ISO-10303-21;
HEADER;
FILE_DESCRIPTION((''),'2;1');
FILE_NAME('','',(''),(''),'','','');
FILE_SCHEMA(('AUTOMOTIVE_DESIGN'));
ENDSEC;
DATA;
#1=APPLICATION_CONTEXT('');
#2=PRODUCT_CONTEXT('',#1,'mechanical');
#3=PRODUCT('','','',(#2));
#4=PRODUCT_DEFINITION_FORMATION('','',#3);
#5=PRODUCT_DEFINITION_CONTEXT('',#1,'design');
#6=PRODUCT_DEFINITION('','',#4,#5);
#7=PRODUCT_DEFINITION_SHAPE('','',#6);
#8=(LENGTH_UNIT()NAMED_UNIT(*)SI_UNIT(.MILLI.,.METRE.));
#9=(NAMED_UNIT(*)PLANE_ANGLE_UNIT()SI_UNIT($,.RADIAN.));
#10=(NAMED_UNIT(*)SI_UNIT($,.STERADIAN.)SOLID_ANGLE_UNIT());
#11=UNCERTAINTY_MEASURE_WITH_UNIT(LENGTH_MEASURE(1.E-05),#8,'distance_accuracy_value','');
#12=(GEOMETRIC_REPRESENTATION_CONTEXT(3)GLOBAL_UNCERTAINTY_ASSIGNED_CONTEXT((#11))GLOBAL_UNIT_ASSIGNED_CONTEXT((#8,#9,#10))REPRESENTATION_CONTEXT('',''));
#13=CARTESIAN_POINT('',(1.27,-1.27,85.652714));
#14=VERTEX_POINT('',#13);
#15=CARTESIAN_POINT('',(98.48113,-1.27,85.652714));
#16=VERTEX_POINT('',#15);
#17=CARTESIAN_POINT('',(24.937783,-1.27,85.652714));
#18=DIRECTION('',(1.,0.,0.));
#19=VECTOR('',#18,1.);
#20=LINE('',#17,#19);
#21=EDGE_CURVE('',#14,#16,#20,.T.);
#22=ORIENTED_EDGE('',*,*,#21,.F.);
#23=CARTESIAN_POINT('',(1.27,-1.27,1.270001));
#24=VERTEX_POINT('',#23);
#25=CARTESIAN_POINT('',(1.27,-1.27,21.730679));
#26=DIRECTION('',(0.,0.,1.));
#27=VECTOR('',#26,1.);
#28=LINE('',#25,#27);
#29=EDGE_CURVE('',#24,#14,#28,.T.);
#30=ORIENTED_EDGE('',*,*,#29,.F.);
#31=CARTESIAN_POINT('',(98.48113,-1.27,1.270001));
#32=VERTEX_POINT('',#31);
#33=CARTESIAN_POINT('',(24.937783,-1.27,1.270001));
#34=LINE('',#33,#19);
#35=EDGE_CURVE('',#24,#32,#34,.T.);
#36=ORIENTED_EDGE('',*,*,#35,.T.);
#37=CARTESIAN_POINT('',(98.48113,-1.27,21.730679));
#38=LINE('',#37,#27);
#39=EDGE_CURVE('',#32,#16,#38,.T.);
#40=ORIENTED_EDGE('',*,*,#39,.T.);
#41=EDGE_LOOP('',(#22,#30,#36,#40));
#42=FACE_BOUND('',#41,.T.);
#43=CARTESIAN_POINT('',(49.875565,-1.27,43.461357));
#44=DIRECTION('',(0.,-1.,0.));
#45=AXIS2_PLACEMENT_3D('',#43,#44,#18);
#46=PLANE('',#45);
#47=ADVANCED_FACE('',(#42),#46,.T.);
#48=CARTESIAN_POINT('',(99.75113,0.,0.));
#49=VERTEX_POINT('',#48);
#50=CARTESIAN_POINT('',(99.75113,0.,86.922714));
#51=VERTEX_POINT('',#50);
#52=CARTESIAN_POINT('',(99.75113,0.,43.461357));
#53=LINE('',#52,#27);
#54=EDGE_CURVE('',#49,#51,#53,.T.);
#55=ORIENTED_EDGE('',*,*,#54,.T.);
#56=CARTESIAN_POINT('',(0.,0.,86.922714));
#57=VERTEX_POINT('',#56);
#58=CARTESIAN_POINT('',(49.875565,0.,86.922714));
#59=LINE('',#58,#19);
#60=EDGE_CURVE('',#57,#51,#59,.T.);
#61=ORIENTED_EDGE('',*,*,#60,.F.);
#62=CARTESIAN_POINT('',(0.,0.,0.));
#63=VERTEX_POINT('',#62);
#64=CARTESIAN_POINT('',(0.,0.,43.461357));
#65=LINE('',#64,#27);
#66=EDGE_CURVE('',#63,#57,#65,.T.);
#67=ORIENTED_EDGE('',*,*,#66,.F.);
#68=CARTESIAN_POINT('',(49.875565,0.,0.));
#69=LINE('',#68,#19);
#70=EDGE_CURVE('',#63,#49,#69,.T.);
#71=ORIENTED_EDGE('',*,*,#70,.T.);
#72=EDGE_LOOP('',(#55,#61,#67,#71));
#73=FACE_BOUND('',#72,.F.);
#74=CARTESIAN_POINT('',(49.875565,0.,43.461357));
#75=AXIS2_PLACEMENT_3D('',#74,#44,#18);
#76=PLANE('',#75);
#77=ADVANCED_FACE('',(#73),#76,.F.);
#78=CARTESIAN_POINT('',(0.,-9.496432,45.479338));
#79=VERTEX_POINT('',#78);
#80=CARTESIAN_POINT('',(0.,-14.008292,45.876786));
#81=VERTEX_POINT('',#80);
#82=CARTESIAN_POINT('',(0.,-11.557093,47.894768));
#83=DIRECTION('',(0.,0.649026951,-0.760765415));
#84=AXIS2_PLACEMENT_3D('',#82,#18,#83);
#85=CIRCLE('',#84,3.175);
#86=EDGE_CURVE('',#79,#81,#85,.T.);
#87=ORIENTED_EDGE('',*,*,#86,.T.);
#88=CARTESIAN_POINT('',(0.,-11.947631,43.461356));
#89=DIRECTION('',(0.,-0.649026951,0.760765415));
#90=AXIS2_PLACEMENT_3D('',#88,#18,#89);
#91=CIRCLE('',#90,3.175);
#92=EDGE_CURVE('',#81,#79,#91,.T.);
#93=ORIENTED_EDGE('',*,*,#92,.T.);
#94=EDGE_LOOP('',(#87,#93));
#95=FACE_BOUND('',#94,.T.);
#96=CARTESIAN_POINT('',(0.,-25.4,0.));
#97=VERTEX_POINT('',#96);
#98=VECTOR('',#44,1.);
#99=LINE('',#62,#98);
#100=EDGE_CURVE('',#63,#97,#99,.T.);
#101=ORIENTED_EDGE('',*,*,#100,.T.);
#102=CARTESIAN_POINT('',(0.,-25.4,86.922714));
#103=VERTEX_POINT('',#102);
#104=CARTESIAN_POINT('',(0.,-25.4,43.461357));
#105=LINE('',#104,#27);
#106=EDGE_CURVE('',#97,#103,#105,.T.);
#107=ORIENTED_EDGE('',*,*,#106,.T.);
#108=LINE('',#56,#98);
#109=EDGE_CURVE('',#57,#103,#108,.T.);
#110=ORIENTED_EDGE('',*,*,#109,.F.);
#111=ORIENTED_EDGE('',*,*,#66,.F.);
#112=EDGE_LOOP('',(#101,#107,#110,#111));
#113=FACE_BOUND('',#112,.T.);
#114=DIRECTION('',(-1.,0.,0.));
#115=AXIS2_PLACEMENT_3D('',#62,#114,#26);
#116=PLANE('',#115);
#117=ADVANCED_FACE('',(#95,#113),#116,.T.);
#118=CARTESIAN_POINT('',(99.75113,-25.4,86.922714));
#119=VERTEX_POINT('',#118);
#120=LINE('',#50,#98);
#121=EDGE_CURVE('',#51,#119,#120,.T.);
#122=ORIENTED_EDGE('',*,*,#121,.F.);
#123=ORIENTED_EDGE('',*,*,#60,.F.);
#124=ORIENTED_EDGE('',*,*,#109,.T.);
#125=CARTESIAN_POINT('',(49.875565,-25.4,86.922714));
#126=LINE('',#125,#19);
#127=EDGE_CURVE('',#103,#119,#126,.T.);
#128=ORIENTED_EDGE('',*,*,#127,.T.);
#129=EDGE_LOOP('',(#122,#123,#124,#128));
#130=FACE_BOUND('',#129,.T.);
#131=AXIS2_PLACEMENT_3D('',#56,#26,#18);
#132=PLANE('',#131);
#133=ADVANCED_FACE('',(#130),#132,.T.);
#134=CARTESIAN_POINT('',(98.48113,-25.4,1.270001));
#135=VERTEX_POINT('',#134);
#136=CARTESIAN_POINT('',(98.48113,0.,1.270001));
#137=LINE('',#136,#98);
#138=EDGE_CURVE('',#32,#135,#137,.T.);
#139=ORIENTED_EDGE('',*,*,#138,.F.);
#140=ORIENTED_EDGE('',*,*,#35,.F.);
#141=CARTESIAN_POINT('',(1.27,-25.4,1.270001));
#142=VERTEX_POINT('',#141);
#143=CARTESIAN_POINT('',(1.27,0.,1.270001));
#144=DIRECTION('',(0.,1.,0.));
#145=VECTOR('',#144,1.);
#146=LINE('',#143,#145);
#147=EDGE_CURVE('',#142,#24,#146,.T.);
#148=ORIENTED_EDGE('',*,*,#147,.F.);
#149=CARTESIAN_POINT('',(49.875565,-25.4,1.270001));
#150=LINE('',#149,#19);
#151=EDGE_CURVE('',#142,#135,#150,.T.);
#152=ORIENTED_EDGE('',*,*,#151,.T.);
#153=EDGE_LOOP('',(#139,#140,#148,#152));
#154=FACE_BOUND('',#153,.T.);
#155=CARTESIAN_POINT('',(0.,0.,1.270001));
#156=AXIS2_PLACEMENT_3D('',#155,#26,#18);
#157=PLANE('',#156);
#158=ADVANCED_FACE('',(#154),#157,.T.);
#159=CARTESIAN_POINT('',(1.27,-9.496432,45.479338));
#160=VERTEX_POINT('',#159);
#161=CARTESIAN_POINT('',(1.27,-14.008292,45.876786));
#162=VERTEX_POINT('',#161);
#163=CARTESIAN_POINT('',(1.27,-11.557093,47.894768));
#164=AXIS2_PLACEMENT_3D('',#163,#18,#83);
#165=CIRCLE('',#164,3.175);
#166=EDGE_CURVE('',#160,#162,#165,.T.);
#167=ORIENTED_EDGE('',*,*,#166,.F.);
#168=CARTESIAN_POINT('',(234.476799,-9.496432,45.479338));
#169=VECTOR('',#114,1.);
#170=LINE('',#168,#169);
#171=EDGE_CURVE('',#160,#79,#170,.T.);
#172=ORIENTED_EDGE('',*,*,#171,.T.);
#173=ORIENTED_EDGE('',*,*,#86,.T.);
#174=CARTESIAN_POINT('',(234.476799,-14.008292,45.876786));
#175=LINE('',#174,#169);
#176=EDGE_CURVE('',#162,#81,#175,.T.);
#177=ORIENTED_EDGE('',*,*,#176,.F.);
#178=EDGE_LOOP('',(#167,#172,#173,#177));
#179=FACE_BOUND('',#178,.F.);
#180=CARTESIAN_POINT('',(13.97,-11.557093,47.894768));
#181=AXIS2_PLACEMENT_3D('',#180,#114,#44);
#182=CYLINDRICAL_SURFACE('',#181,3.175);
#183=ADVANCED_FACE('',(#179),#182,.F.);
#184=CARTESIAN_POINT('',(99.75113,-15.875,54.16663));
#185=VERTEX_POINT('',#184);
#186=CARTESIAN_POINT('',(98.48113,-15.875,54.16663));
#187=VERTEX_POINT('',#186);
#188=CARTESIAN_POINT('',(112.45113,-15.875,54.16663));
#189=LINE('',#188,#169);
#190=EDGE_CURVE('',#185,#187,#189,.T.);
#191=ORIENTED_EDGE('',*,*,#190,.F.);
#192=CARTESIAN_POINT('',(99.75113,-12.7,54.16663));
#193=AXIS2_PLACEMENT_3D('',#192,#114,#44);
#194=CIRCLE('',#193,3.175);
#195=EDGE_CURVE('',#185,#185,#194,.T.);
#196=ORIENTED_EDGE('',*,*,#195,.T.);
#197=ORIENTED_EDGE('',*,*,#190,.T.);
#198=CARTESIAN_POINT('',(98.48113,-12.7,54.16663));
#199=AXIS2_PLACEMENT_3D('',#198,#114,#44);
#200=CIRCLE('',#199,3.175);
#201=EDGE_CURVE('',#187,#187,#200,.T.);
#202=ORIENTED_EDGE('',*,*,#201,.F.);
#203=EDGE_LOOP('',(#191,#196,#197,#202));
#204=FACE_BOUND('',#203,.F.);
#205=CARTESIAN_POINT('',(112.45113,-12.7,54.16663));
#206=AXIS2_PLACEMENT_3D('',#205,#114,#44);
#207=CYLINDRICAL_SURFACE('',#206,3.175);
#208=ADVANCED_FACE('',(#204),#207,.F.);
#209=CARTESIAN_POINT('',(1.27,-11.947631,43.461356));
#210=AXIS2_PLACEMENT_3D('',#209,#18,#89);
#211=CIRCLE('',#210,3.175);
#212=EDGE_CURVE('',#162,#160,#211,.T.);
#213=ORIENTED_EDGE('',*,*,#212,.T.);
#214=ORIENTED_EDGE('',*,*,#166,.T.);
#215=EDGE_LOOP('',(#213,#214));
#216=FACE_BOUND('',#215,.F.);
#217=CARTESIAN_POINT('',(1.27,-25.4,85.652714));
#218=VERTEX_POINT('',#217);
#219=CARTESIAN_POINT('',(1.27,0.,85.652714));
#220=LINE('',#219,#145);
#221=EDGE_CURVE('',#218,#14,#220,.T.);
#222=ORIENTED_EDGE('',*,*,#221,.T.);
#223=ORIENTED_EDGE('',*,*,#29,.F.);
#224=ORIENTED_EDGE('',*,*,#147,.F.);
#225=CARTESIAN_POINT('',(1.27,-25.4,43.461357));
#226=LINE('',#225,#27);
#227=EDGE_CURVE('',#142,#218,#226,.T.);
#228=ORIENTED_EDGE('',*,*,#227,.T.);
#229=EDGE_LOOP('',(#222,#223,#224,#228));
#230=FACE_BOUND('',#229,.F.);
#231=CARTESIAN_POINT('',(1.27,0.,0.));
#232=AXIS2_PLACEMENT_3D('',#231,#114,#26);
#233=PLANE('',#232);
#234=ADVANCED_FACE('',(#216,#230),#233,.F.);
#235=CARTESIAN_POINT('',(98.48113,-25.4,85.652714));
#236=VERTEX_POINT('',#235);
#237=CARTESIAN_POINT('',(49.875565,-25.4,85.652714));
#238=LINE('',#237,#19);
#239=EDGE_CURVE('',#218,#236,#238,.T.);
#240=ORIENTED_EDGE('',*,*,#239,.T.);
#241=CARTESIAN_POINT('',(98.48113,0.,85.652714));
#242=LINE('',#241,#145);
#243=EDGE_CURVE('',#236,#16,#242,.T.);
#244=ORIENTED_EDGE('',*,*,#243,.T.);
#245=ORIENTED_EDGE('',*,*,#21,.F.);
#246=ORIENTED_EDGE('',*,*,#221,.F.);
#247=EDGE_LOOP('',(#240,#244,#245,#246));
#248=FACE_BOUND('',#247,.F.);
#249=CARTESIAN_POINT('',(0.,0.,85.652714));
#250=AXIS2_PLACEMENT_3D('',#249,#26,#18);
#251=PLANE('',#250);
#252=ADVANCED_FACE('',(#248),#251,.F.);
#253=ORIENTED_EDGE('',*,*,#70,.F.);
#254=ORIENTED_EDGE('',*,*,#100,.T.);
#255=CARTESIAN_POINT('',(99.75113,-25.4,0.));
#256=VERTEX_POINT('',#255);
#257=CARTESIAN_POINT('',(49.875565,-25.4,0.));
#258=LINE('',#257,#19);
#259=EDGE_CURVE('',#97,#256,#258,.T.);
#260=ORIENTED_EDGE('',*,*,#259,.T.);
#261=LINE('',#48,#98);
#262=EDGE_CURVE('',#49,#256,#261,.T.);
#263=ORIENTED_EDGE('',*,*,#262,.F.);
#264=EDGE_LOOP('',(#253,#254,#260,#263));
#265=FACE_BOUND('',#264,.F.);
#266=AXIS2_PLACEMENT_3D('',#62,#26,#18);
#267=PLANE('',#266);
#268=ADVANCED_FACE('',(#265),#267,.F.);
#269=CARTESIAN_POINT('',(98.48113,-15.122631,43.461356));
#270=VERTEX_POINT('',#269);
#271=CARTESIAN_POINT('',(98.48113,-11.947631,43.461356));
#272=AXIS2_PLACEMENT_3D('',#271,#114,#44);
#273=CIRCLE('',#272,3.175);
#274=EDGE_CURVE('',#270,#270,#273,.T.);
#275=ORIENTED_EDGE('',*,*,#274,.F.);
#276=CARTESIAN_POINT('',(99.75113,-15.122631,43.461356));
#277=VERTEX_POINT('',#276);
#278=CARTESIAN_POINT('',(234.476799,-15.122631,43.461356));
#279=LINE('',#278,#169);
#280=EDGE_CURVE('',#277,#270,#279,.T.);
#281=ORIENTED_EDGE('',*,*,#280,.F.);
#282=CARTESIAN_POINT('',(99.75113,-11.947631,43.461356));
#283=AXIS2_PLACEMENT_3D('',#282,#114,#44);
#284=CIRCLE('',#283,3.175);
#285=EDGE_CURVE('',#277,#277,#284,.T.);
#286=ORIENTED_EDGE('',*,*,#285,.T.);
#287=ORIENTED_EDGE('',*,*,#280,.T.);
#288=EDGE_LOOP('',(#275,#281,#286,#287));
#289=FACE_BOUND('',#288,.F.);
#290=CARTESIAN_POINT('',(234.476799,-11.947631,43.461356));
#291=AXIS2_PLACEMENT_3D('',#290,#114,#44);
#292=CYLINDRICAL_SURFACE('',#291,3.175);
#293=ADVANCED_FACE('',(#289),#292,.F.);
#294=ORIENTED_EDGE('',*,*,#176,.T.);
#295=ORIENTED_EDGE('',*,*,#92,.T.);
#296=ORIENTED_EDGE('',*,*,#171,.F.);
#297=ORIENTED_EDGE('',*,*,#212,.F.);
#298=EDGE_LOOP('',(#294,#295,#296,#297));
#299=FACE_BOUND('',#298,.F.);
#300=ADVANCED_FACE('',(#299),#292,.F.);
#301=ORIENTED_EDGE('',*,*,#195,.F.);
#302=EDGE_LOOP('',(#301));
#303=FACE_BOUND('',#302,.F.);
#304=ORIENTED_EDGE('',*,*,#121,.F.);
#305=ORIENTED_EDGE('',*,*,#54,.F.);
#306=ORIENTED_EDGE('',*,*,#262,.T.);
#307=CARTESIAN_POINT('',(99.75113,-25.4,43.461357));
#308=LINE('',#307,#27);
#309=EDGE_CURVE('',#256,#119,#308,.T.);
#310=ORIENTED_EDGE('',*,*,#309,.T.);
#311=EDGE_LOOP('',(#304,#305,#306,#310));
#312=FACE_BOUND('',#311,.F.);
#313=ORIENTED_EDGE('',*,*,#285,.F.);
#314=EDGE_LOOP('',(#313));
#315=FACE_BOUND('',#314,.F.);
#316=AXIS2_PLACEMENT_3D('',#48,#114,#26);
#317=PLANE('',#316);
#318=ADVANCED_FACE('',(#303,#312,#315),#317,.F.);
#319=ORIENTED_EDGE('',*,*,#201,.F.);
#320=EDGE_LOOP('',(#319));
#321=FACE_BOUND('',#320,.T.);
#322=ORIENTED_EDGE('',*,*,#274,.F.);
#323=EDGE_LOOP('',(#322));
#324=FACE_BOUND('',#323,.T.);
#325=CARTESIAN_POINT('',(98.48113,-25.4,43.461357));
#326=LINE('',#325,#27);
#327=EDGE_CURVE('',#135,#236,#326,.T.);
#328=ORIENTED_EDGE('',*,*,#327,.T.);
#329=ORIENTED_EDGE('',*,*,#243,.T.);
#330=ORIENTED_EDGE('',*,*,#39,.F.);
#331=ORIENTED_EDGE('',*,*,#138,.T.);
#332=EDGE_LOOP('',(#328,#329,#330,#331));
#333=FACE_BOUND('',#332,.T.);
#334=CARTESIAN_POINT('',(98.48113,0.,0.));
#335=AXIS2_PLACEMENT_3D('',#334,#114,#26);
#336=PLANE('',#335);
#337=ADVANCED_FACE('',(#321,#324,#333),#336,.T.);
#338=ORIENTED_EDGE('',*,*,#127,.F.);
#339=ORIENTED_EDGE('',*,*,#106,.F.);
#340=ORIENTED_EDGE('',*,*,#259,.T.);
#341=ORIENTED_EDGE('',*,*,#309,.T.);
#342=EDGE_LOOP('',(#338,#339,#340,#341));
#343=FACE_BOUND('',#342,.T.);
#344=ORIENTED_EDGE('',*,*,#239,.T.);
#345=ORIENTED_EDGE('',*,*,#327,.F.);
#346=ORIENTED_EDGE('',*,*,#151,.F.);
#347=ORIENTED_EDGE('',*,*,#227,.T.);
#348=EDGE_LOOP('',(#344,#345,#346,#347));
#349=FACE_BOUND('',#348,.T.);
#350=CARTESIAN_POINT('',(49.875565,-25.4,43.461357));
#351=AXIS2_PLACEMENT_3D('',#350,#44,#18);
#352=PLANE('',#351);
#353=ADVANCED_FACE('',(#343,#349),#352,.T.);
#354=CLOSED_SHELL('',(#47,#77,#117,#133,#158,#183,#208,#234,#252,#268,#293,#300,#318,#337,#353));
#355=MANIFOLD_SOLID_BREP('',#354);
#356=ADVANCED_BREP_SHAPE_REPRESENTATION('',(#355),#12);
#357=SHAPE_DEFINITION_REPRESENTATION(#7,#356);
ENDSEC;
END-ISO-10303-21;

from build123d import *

# Parameters (mm, degrees)
F0_W     = 99.75113
F0_H     = 86.922713
F1_DEPTH = 25.4
F2_T     = -1.27
F4_D     = 6.35
F6_D     = 6.35
F6_DEPTH = 12.7
F8_D     = 6.35
F8_DEPTH = 12.7


with BuildPart() as f1:
    # F0 (on Front) → F1 (new body)
    with BuildSketch(Plane.XZ):
        with Locations((49.875565, 43.461357)):
            Rectangle(F0_W, F0_H)
    extrude(amount=F1_DEPTH)

    # F2
    f2_openings = [f1.faces().sort_by_distance(p)[0] for p in [
        (49.875565, -25.4, 43.461356),
    ]]
    offset(amount=F2_T, openings=f2_openings)

    # F4 (through all)
    with Locations(Plane.YZ.offset(99.75113)):
        with Locations((-11.947631, 43.461356)):
            Hole(F4_D / 2)

    # F6
    with Locations(Plane.YZ.offset(1.27)):
        with Locations((-11.557093, 47.894768)):
            Hole(F6_D / 2, depth=F6_DEPTH)

    # F8
    with Locations(Plane.YZ.offset(99.75113)):
        with Locations((-12.7, 54.16663)):
            Hole(F8_D / 2, depth=F8_DEPTH)


solid = f1.part
